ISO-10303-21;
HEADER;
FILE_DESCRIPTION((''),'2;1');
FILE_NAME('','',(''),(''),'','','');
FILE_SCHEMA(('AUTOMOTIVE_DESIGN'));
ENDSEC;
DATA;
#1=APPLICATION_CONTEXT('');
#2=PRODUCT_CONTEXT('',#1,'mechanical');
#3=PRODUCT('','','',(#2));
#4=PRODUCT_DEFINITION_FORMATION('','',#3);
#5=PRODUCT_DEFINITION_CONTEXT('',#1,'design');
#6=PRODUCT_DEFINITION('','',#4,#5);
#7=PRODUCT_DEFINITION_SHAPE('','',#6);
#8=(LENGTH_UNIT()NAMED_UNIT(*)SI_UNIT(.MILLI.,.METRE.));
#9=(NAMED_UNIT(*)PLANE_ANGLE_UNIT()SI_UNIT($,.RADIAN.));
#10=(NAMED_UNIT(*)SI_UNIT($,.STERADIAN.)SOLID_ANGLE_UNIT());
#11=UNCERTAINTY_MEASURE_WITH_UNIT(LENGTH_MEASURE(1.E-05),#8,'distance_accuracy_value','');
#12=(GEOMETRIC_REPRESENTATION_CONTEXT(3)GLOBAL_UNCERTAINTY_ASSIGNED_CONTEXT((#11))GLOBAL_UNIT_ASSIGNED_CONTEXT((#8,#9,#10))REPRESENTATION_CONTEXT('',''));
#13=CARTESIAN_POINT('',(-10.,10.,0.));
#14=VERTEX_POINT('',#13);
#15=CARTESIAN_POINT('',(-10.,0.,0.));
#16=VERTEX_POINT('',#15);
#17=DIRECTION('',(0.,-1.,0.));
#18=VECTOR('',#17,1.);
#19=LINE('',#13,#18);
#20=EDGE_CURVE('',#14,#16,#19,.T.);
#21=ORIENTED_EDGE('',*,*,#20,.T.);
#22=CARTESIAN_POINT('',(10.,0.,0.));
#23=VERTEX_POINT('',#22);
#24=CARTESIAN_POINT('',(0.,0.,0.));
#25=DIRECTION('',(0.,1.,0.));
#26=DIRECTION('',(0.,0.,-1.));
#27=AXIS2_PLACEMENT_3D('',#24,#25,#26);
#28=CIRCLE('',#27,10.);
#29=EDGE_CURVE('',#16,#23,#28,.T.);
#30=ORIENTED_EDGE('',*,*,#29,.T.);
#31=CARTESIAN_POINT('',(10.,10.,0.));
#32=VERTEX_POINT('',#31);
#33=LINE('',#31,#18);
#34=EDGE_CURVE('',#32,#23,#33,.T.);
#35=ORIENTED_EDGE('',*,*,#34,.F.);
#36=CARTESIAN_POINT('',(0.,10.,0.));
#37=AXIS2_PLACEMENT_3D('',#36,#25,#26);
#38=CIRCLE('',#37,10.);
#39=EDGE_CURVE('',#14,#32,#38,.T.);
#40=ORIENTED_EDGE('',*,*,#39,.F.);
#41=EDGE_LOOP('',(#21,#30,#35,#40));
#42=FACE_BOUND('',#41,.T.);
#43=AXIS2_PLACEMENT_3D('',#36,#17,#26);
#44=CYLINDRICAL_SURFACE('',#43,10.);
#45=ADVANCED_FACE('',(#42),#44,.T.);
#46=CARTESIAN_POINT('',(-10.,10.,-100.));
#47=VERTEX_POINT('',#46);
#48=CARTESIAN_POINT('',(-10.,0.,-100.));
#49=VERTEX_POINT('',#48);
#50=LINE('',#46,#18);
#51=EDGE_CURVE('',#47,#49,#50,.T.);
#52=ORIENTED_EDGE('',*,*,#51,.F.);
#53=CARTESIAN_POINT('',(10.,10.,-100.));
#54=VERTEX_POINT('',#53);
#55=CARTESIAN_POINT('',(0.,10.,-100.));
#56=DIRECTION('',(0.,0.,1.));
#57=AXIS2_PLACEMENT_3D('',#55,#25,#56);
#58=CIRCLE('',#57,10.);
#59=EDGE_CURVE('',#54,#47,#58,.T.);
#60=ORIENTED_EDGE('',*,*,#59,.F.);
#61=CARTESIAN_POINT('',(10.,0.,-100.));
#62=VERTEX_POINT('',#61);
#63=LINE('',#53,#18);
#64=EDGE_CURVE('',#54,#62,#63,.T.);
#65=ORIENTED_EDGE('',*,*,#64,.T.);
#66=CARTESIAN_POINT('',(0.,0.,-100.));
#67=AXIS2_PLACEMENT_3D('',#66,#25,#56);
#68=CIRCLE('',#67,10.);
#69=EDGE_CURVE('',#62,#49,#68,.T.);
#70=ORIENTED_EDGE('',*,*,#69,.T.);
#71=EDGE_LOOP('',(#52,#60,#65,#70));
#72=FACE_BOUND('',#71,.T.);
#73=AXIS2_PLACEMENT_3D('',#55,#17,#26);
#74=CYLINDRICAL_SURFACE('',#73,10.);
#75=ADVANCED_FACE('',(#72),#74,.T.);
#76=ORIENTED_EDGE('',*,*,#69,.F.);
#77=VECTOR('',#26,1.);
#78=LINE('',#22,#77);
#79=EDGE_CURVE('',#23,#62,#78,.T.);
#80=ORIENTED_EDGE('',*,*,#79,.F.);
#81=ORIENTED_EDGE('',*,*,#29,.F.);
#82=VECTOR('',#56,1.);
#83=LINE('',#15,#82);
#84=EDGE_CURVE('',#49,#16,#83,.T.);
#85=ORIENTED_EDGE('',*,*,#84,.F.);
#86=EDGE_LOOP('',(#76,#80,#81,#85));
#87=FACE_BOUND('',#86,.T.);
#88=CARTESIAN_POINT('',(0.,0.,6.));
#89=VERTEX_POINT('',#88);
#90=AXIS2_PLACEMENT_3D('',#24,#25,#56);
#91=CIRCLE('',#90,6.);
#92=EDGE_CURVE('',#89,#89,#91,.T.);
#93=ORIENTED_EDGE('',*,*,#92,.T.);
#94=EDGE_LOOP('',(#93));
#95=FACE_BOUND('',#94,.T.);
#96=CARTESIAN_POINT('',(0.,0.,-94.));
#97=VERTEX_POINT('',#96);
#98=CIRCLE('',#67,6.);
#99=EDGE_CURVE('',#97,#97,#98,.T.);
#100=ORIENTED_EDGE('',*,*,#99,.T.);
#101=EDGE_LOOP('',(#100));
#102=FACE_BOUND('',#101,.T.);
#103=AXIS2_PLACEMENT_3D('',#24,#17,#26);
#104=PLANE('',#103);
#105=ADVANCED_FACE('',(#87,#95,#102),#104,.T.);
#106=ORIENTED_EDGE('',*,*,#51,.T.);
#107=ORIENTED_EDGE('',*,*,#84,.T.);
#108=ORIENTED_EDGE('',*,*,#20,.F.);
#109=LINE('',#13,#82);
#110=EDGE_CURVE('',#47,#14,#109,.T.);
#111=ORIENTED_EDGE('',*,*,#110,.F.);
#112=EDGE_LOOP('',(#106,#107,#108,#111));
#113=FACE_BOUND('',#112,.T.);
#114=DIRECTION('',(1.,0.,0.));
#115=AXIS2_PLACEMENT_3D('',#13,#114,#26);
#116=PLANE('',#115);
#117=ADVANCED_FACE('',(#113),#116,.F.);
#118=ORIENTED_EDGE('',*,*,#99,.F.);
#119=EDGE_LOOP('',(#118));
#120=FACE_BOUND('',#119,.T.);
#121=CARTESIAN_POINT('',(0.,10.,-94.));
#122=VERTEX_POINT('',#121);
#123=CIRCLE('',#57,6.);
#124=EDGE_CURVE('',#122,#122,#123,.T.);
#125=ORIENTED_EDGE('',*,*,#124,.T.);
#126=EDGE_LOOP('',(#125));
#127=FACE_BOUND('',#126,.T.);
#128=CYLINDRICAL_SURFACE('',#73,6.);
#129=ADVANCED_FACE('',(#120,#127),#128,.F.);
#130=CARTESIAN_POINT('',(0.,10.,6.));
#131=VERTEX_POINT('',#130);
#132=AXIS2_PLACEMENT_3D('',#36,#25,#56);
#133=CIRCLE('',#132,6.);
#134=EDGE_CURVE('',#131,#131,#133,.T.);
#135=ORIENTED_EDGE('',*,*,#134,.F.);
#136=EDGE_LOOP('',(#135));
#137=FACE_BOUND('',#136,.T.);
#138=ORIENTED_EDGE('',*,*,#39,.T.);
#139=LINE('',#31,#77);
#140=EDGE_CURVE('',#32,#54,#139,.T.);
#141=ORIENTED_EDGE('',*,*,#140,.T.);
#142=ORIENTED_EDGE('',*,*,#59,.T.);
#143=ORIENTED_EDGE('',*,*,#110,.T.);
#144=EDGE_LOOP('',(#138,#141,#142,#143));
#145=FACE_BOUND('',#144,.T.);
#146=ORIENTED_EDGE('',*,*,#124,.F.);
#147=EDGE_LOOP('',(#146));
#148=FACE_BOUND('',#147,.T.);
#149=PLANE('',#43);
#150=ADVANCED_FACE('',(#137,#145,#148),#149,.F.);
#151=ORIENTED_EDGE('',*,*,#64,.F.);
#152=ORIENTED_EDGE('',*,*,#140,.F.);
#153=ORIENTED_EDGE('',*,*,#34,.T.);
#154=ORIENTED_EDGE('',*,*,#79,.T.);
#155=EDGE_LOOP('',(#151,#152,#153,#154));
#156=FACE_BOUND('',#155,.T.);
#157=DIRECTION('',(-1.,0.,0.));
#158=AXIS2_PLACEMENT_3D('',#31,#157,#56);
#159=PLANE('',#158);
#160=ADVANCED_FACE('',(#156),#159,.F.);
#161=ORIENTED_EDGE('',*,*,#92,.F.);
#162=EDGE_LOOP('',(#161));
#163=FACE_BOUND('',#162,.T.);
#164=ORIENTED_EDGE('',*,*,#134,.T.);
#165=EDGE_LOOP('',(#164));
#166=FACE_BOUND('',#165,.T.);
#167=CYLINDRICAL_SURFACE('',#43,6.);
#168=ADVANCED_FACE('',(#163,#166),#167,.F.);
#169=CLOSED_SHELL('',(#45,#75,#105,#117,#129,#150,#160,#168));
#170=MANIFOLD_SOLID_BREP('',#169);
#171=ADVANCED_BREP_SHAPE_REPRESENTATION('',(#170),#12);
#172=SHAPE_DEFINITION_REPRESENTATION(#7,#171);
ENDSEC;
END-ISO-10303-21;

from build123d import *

# Parameters (mm, degrees)
SKETCH1_R           = 6
BOSS_EXTRUDE1_DEPTH = 10


with BuildPart() as part:
    # Sketch1 → Boss-Extrude1 (new body)
    with BuildSketch(Plane(origin=(0, 0, 0), x_dir=(1, 0, 0), z_dir=(0, 1, 0))):
        with BuildLine():
            Line((10, 0), (10, 100))
            ThreePointArc((10, 100), (0, 110), (-10, 100))
            Line((-10, 100), (-10, 0))
            ThreePointArc((-10, 0), (0, -10), (10, 0))
        make_face()
        with Locations(Location((0, 100, 0), (0, 0, 270))):
            Circle(SKETCH1_R, mode=Mode.SUBTRACT)
        with Locations(Location((0, 0, 0), (0, 0, 270))):
            Circle(SKETCH1_R, mode=Mode.SUBTRACT)
    extrude(amount=BOSS_EXTRUDE1_DEPTH)


solid = part.part
